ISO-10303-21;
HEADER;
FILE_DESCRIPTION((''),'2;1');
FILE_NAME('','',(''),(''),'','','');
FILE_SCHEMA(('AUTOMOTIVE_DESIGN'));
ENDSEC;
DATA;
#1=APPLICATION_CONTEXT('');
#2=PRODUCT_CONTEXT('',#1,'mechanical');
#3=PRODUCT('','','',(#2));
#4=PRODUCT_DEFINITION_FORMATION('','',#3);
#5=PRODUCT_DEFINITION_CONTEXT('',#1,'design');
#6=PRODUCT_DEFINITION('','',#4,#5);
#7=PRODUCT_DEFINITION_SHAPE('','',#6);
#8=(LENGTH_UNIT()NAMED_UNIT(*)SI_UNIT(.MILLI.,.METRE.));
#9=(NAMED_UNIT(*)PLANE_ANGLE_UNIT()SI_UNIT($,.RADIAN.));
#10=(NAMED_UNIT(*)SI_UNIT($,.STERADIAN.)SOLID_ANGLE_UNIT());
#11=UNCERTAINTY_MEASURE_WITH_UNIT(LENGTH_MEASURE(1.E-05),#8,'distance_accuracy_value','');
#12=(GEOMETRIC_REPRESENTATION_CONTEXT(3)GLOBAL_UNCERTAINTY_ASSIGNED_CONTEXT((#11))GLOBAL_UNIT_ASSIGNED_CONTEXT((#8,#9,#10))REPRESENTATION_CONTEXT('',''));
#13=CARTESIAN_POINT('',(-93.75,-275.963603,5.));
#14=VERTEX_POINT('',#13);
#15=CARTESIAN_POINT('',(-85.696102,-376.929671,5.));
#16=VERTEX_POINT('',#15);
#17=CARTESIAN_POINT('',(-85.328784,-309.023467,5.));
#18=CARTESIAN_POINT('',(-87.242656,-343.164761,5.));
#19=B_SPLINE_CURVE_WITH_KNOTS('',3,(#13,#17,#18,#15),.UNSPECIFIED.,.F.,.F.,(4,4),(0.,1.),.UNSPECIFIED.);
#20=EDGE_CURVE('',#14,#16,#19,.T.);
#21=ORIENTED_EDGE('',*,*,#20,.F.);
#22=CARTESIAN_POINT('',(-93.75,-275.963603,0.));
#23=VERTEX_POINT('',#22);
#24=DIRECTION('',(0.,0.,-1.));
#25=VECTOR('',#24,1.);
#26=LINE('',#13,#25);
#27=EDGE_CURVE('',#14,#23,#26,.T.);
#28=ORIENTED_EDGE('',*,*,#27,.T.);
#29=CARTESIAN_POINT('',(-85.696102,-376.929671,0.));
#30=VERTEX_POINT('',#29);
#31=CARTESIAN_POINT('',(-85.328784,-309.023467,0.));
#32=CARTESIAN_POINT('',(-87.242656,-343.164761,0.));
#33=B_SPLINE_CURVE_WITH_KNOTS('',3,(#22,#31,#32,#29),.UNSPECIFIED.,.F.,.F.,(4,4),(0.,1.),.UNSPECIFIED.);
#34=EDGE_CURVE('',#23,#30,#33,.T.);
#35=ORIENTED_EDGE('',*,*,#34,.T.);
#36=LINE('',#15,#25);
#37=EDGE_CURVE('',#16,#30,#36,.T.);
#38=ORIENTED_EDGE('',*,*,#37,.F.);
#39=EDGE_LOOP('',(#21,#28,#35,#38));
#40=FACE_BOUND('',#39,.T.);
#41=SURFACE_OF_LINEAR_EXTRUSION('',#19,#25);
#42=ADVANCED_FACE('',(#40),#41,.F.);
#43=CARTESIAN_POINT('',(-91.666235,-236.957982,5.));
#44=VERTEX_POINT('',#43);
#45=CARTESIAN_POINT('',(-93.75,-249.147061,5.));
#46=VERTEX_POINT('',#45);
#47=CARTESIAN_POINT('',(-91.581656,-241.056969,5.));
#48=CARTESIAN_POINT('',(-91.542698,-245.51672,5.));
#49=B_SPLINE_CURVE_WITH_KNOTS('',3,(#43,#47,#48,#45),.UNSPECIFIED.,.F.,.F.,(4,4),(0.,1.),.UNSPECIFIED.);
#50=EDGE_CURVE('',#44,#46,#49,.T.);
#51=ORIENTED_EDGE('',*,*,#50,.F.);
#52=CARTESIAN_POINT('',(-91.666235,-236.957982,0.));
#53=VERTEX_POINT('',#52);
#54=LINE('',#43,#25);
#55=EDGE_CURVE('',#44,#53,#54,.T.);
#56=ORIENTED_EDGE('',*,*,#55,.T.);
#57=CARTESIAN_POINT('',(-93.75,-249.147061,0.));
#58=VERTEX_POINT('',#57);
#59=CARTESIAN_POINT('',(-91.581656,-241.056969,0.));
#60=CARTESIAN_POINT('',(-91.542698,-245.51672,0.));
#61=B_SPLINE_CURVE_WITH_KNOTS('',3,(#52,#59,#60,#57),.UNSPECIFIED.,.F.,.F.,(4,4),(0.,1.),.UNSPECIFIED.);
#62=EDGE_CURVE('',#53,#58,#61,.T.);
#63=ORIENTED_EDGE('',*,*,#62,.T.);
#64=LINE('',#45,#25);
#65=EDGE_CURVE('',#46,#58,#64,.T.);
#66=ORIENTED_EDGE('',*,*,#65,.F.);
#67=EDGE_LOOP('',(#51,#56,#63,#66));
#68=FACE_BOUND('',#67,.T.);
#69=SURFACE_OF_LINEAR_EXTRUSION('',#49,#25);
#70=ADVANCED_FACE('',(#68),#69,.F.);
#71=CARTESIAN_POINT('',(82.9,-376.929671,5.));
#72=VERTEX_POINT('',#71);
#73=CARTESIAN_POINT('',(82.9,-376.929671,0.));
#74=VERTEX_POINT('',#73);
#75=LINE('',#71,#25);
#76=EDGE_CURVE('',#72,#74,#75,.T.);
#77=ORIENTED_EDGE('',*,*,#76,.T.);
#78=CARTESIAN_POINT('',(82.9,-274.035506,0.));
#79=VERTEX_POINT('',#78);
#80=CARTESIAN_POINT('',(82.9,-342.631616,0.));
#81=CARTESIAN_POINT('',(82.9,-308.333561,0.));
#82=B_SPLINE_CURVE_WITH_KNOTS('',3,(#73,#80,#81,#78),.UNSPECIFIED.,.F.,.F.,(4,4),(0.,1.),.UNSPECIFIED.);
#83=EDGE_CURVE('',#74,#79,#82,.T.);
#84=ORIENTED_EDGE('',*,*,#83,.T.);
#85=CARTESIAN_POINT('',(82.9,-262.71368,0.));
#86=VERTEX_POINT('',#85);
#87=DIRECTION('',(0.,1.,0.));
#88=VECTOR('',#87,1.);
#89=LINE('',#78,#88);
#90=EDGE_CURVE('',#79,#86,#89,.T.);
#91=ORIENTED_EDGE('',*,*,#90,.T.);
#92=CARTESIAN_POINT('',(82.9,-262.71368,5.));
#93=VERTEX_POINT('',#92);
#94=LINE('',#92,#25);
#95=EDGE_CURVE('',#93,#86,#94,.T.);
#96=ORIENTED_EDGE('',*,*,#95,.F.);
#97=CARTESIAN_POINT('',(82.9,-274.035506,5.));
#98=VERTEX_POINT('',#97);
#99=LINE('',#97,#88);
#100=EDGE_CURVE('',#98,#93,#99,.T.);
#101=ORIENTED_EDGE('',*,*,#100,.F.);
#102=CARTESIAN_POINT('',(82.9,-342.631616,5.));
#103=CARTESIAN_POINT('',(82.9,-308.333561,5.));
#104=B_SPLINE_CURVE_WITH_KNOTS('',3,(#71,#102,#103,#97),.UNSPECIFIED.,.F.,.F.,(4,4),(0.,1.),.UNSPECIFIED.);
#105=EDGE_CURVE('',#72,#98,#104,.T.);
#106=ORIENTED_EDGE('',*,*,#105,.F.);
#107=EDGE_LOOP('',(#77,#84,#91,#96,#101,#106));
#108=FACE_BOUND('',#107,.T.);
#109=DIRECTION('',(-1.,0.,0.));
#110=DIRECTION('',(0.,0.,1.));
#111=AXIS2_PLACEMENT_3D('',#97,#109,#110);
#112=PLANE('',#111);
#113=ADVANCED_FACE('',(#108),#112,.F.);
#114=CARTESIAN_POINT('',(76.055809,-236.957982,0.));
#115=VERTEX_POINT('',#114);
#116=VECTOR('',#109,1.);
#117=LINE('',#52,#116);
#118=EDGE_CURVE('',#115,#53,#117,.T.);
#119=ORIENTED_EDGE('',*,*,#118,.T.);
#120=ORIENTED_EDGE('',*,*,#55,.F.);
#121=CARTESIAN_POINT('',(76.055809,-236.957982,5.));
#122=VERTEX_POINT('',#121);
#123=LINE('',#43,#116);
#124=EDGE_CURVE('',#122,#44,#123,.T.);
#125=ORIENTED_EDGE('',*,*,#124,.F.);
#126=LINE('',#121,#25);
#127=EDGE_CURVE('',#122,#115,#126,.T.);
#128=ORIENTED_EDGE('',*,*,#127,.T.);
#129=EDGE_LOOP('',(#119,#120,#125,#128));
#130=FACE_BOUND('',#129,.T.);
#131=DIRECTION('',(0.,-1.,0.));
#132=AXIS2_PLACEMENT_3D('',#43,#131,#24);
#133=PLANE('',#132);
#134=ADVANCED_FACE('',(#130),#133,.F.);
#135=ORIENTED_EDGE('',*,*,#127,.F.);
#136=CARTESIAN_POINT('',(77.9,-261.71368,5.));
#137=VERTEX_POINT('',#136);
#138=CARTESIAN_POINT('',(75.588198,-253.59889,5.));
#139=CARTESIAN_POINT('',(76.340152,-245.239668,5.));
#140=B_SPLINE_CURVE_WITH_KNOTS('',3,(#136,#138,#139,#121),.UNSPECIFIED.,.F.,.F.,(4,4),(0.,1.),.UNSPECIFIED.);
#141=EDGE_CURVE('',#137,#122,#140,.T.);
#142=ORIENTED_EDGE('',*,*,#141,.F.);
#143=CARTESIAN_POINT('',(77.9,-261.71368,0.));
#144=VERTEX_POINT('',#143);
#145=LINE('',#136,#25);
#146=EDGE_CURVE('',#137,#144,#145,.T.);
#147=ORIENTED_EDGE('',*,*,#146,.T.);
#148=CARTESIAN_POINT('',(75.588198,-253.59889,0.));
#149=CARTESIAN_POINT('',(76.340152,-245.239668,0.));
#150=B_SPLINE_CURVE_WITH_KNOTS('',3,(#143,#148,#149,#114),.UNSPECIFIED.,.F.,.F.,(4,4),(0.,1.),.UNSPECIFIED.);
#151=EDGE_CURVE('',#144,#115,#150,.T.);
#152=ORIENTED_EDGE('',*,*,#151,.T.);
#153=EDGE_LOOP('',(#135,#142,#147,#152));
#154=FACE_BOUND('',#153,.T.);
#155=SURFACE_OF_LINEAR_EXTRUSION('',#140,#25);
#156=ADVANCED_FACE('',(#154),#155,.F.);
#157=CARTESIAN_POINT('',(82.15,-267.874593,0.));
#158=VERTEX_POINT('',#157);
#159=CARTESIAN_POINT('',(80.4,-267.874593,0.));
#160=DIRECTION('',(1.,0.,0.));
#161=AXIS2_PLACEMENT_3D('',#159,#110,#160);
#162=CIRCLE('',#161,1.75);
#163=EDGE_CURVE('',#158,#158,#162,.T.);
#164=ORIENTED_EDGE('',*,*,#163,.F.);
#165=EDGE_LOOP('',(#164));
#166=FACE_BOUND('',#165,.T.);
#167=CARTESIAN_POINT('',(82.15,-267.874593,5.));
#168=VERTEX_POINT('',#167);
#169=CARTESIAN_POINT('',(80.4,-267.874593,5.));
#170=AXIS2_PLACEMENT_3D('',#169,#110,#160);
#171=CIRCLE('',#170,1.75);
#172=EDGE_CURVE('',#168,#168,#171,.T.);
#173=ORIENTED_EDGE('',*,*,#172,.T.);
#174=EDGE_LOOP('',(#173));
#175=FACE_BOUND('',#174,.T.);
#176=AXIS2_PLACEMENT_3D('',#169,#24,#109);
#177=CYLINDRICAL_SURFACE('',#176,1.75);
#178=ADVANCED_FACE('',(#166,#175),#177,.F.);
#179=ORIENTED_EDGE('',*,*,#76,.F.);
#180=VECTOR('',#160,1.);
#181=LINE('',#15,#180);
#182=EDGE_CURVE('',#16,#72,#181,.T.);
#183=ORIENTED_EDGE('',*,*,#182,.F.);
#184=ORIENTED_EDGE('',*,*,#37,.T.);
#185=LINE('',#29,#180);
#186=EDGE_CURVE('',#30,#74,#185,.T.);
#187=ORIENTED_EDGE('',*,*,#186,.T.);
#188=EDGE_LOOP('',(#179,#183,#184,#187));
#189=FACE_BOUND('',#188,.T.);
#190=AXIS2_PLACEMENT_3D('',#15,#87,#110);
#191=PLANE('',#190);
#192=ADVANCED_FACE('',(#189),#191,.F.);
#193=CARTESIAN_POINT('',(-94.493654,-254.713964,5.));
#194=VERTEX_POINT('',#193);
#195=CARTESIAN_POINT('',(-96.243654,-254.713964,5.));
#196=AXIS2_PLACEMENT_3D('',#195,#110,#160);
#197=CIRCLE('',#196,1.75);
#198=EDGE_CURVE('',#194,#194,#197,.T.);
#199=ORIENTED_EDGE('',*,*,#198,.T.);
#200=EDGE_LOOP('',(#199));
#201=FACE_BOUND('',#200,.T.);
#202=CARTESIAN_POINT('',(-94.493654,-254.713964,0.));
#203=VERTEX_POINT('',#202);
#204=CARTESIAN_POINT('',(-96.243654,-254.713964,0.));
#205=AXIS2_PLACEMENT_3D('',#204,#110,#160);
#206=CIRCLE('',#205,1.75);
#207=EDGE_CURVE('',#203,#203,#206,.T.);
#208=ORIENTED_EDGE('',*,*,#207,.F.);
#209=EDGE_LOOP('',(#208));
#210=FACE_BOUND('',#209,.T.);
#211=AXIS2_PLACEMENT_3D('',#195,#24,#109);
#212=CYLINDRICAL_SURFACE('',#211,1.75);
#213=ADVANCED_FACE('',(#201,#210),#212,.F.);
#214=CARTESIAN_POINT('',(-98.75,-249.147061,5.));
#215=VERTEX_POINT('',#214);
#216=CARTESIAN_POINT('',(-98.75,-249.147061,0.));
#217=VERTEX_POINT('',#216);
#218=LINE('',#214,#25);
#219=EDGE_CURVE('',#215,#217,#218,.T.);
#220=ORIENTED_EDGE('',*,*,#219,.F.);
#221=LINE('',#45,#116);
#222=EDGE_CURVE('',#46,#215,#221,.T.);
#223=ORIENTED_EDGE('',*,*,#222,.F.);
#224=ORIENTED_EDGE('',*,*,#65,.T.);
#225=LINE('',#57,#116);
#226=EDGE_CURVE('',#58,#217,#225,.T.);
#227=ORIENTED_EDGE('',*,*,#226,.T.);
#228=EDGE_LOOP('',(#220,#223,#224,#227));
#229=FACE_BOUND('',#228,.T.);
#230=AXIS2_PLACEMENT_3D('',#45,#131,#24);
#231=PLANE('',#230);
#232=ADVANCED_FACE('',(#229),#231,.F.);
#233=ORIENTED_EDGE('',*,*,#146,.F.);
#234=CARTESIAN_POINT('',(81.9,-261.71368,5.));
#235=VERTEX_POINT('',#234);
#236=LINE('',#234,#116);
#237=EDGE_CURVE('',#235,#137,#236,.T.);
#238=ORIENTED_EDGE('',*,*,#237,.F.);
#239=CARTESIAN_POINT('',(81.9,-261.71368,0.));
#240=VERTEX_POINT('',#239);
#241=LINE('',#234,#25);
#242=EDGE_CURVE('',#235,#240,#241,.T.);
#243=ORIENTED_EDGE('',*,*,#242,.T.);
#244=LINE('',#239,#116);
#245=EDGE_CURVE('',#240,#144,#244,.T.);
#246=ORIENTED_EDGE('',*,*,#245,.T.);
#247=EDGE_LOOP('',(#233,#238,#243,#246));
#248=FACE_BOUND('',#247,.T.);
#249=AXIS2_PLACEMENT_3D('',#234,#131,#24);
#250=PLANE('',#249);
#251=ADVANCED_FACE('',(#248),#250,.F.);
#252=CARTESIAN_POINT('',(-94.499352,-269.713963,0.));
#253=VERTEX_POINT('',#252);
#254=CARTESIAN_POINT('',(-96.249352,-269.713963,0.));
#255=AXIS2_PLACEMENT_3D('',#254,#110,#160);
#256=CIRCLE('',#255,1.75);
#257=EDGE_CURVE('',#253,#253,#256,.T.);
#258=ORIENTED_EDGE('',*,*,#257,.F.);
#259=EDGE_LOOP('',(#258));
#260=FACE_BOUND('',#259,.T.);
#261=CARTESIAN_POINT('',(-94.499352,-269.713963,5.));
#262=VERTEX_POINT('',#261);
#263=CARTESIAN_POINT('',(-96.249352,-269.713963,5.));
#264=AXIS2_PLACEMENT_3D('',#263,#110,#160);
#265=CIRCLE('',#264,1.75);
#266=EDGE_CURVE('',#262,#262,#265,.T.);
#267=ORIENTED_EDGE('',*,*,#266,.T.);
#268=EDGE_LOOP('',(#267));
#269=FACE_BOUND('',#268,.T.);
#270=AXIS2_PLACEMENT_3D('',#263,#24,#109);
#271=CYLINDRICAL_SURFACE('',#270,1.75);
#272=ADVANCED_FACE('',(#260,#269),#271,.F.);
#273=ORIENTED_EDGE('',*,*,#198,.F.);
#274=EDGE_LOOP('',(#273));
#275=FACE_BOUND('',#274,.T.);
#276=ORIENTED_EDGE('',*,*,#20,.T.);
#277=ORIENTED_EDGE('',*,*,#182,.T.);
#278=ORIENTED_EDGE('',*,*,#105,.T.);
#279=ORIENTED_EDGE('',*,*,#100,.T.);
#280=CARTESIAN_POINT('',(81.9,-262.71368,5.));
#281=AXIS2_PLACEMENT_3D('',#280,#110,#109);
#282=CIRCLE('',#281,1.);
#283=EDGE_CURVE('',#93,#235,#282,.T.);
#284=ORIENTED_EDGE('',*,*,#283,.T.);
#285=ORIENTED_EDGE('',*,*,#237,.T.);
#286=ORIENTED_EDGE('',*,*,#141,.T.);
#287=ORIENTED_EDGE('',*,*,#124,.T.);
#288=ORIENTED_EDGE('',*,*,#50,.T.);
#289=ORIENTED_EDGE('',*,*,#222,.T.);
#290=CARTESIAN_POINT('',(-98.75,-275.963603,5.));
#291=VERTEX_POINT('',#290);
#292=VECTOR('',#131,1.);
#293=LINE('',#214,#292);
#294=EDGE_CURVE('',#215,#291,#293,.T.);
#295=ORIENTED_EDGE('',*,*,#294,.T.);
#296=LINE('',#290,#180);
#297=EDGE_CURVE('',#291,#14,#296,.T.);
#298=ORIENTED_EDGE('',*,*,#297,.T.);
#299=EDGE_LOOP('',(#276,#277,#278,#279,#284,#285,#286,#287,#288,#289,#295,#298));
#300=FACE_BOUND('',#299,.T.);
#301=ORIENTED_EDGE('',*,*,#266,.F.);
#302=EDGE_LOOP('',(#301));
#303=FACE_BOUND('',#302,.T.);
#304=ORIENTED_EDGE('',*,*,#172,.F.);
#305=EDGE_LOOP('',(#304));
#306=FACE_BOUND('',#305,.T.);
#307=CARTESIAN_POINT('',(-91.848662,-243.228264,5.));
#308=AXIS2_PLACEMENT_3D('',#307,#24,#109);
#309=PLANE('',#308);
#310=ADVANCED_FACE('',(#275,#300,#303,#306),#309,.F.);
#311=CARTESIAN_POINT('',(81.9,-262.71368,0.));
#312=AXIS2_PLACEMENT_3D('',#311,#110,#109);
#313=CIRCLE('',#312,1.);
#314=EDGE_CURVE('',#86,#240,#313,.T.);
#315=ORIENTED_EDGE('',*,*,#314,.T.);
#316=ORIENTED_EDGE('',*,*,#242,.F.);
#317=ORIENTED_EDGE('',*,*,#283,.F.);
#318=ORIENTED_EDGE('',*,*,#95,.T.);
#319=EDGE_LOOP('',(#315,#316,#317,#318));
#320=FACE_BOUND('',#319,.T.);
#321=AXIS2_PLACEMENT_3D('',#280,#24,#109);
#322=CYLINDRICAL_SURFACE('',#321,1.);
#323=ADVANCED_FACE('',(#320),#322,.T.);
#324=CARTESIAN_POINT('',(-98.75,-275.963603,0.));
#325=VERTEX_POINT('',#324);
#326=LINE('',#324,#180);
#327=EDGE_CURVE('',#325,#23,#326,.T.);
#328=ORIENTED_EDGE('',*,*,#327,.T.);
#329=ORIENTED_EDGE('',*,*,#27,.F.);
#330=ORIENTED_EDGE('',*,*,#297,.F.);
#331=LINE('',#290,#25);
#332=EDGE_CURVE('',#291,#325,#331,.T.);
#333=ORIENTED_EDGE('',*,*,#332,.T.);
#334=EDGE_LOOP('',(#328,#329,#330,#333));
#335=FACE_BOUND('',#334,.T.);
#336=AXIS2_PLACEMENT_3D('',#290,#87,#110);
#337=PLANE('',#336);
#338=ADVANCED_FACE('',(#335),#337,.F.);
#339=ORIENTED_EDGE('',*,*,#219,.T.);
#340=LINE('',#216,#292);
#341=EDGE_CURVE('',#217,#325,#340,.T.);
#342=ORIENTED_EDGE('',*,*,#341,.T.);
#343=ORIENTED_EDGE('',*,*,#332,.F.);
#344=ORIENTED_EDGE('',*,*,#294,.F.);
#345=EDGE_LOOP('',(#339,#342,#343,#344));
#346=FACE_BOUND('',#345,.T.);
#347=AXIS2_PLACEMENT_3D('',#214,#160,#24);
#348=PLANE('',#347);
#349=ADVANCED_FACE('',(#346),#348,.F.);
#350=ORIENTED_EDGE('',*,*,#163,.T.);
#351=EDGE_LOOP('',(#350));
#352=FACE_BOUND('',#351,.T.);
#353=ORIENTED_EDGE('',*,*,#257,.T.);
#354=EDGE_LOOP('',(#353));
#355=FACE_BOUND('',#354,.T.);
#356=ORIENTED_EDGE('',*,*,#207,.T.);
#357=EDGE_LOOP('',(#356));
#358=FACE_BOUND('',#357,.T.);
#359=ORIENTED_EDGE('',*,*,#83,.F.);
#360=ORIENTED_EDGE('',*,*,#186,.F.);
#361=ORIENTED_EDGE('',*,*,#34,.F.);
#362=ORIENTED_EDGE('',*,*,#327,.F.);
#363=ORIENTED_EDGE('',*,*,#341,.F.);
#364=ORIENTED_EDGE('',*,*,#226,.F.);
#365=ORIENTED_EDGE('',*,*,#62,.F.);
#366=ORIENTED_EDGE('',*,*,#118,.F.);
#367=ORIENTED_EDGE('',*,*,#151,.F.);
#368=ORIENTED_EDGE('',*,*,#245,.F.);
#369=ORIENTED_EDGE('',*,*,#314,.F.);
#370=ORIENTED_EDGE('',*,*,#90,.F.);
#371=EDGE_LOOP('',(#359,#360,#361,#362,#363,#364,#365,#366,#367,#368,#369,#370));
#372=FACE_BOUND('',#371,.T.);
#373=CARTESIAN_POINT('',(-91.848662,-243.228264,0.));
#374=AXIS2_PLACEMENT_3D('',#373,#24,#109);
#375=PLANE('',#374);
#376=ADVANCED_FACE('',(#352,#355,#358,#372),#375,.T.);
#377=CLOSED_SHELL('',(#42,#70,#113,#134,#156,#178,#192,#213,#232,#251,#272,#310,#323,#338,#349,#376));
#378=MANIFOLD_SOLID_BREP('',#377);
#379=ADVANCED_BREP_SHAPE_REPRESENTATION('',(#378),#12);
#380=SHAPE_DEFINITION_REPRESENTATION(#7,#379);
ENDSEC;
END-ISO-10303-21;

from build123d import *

# Parameters (mm, degrees)
SKETCH1_R           = 1.75
BOSS_EXTRUDE1_DEPTH = 5


with BuildPart() as part:
    # Sketch1 → Boss-Extrude1 (new body)
    with BuildSketch(Plane.XY):
        with BuildLine():
            Line((-93.75, -249.14706128), (-98.75, -249.14706128))
            Line((-98.75, -249.14706128), (-98.75, -275.963602955))
            Line((-98.75, -275.963602955), (-93.75, -275.963602955))
            add(Edge.make_bspline(
                [(-93.75, -275.963602955), (-85.328784133, -309.023467032), (-87.242655609, -343.164760507), (-85.696102167, -376.929671114)],
                knots=[0, 0, 0, 0, 1, 1, 1, 1], degree=3))
            Line((-85.696102167, -376.929671114), (82.9, -376.929671114))
            add(Edge.make_bspline(
                [(82.9, -274.035506052), (82.9, -308.333561073), (82.9, -342.631616093), (82.9, -376.929671114)],
                knots=[0, 0, 0, 0, 1, 1, 1, 1], degree=3))
            Line((82.9, -274.035506052), (82.9, -262.713680137))
            ThreePointArc((82.9, -262.713680137), (82.607106781, -262.006573355), (81.9, -261.713680137))
            Line((81.9, -261.713680137), (77.9, -261.713680137))
            add(Edge.make_bspline(
                [(77.9, -261.713680137), (75.588198468, -253.598889885), (76.340151595, -245.239667724), (76.055808767, -236.957982208)],
                knots=[0, 0, 0, 0, 1, 1, 1, 1], degree=3))
            Line((76.055808767, -236.957982208), (-91.666234566, -236.957982208))
            add(Edge.make_bspline(
                [(-93.75, -249.14706128), (-91.542697993, -245.516719889), (-91.581655695, -241.056968833), (-91.666234566, -236.957982208)],
                knots=[0, 0, 0, 0, 1, 1, 1, 1], degree=3))
        make_face()
        with Locations((-96.249351551, -269.713963286)):
            Circle(SKETCH1_R, mode=Mode.SUBTRACT)
        with Locations((-96.243654126, -254.713964368)):
            Circle(SKETCH1_R, mode=Mode.SUBTRACT)
        with Locations((80.4, -267.874593094)):
            Circle(SKETCH1_R, mode=Mode.SUBTRACT)
    extrude(amount=BOSS_EXTRUDE1_DEPTH)


solid = part.part
